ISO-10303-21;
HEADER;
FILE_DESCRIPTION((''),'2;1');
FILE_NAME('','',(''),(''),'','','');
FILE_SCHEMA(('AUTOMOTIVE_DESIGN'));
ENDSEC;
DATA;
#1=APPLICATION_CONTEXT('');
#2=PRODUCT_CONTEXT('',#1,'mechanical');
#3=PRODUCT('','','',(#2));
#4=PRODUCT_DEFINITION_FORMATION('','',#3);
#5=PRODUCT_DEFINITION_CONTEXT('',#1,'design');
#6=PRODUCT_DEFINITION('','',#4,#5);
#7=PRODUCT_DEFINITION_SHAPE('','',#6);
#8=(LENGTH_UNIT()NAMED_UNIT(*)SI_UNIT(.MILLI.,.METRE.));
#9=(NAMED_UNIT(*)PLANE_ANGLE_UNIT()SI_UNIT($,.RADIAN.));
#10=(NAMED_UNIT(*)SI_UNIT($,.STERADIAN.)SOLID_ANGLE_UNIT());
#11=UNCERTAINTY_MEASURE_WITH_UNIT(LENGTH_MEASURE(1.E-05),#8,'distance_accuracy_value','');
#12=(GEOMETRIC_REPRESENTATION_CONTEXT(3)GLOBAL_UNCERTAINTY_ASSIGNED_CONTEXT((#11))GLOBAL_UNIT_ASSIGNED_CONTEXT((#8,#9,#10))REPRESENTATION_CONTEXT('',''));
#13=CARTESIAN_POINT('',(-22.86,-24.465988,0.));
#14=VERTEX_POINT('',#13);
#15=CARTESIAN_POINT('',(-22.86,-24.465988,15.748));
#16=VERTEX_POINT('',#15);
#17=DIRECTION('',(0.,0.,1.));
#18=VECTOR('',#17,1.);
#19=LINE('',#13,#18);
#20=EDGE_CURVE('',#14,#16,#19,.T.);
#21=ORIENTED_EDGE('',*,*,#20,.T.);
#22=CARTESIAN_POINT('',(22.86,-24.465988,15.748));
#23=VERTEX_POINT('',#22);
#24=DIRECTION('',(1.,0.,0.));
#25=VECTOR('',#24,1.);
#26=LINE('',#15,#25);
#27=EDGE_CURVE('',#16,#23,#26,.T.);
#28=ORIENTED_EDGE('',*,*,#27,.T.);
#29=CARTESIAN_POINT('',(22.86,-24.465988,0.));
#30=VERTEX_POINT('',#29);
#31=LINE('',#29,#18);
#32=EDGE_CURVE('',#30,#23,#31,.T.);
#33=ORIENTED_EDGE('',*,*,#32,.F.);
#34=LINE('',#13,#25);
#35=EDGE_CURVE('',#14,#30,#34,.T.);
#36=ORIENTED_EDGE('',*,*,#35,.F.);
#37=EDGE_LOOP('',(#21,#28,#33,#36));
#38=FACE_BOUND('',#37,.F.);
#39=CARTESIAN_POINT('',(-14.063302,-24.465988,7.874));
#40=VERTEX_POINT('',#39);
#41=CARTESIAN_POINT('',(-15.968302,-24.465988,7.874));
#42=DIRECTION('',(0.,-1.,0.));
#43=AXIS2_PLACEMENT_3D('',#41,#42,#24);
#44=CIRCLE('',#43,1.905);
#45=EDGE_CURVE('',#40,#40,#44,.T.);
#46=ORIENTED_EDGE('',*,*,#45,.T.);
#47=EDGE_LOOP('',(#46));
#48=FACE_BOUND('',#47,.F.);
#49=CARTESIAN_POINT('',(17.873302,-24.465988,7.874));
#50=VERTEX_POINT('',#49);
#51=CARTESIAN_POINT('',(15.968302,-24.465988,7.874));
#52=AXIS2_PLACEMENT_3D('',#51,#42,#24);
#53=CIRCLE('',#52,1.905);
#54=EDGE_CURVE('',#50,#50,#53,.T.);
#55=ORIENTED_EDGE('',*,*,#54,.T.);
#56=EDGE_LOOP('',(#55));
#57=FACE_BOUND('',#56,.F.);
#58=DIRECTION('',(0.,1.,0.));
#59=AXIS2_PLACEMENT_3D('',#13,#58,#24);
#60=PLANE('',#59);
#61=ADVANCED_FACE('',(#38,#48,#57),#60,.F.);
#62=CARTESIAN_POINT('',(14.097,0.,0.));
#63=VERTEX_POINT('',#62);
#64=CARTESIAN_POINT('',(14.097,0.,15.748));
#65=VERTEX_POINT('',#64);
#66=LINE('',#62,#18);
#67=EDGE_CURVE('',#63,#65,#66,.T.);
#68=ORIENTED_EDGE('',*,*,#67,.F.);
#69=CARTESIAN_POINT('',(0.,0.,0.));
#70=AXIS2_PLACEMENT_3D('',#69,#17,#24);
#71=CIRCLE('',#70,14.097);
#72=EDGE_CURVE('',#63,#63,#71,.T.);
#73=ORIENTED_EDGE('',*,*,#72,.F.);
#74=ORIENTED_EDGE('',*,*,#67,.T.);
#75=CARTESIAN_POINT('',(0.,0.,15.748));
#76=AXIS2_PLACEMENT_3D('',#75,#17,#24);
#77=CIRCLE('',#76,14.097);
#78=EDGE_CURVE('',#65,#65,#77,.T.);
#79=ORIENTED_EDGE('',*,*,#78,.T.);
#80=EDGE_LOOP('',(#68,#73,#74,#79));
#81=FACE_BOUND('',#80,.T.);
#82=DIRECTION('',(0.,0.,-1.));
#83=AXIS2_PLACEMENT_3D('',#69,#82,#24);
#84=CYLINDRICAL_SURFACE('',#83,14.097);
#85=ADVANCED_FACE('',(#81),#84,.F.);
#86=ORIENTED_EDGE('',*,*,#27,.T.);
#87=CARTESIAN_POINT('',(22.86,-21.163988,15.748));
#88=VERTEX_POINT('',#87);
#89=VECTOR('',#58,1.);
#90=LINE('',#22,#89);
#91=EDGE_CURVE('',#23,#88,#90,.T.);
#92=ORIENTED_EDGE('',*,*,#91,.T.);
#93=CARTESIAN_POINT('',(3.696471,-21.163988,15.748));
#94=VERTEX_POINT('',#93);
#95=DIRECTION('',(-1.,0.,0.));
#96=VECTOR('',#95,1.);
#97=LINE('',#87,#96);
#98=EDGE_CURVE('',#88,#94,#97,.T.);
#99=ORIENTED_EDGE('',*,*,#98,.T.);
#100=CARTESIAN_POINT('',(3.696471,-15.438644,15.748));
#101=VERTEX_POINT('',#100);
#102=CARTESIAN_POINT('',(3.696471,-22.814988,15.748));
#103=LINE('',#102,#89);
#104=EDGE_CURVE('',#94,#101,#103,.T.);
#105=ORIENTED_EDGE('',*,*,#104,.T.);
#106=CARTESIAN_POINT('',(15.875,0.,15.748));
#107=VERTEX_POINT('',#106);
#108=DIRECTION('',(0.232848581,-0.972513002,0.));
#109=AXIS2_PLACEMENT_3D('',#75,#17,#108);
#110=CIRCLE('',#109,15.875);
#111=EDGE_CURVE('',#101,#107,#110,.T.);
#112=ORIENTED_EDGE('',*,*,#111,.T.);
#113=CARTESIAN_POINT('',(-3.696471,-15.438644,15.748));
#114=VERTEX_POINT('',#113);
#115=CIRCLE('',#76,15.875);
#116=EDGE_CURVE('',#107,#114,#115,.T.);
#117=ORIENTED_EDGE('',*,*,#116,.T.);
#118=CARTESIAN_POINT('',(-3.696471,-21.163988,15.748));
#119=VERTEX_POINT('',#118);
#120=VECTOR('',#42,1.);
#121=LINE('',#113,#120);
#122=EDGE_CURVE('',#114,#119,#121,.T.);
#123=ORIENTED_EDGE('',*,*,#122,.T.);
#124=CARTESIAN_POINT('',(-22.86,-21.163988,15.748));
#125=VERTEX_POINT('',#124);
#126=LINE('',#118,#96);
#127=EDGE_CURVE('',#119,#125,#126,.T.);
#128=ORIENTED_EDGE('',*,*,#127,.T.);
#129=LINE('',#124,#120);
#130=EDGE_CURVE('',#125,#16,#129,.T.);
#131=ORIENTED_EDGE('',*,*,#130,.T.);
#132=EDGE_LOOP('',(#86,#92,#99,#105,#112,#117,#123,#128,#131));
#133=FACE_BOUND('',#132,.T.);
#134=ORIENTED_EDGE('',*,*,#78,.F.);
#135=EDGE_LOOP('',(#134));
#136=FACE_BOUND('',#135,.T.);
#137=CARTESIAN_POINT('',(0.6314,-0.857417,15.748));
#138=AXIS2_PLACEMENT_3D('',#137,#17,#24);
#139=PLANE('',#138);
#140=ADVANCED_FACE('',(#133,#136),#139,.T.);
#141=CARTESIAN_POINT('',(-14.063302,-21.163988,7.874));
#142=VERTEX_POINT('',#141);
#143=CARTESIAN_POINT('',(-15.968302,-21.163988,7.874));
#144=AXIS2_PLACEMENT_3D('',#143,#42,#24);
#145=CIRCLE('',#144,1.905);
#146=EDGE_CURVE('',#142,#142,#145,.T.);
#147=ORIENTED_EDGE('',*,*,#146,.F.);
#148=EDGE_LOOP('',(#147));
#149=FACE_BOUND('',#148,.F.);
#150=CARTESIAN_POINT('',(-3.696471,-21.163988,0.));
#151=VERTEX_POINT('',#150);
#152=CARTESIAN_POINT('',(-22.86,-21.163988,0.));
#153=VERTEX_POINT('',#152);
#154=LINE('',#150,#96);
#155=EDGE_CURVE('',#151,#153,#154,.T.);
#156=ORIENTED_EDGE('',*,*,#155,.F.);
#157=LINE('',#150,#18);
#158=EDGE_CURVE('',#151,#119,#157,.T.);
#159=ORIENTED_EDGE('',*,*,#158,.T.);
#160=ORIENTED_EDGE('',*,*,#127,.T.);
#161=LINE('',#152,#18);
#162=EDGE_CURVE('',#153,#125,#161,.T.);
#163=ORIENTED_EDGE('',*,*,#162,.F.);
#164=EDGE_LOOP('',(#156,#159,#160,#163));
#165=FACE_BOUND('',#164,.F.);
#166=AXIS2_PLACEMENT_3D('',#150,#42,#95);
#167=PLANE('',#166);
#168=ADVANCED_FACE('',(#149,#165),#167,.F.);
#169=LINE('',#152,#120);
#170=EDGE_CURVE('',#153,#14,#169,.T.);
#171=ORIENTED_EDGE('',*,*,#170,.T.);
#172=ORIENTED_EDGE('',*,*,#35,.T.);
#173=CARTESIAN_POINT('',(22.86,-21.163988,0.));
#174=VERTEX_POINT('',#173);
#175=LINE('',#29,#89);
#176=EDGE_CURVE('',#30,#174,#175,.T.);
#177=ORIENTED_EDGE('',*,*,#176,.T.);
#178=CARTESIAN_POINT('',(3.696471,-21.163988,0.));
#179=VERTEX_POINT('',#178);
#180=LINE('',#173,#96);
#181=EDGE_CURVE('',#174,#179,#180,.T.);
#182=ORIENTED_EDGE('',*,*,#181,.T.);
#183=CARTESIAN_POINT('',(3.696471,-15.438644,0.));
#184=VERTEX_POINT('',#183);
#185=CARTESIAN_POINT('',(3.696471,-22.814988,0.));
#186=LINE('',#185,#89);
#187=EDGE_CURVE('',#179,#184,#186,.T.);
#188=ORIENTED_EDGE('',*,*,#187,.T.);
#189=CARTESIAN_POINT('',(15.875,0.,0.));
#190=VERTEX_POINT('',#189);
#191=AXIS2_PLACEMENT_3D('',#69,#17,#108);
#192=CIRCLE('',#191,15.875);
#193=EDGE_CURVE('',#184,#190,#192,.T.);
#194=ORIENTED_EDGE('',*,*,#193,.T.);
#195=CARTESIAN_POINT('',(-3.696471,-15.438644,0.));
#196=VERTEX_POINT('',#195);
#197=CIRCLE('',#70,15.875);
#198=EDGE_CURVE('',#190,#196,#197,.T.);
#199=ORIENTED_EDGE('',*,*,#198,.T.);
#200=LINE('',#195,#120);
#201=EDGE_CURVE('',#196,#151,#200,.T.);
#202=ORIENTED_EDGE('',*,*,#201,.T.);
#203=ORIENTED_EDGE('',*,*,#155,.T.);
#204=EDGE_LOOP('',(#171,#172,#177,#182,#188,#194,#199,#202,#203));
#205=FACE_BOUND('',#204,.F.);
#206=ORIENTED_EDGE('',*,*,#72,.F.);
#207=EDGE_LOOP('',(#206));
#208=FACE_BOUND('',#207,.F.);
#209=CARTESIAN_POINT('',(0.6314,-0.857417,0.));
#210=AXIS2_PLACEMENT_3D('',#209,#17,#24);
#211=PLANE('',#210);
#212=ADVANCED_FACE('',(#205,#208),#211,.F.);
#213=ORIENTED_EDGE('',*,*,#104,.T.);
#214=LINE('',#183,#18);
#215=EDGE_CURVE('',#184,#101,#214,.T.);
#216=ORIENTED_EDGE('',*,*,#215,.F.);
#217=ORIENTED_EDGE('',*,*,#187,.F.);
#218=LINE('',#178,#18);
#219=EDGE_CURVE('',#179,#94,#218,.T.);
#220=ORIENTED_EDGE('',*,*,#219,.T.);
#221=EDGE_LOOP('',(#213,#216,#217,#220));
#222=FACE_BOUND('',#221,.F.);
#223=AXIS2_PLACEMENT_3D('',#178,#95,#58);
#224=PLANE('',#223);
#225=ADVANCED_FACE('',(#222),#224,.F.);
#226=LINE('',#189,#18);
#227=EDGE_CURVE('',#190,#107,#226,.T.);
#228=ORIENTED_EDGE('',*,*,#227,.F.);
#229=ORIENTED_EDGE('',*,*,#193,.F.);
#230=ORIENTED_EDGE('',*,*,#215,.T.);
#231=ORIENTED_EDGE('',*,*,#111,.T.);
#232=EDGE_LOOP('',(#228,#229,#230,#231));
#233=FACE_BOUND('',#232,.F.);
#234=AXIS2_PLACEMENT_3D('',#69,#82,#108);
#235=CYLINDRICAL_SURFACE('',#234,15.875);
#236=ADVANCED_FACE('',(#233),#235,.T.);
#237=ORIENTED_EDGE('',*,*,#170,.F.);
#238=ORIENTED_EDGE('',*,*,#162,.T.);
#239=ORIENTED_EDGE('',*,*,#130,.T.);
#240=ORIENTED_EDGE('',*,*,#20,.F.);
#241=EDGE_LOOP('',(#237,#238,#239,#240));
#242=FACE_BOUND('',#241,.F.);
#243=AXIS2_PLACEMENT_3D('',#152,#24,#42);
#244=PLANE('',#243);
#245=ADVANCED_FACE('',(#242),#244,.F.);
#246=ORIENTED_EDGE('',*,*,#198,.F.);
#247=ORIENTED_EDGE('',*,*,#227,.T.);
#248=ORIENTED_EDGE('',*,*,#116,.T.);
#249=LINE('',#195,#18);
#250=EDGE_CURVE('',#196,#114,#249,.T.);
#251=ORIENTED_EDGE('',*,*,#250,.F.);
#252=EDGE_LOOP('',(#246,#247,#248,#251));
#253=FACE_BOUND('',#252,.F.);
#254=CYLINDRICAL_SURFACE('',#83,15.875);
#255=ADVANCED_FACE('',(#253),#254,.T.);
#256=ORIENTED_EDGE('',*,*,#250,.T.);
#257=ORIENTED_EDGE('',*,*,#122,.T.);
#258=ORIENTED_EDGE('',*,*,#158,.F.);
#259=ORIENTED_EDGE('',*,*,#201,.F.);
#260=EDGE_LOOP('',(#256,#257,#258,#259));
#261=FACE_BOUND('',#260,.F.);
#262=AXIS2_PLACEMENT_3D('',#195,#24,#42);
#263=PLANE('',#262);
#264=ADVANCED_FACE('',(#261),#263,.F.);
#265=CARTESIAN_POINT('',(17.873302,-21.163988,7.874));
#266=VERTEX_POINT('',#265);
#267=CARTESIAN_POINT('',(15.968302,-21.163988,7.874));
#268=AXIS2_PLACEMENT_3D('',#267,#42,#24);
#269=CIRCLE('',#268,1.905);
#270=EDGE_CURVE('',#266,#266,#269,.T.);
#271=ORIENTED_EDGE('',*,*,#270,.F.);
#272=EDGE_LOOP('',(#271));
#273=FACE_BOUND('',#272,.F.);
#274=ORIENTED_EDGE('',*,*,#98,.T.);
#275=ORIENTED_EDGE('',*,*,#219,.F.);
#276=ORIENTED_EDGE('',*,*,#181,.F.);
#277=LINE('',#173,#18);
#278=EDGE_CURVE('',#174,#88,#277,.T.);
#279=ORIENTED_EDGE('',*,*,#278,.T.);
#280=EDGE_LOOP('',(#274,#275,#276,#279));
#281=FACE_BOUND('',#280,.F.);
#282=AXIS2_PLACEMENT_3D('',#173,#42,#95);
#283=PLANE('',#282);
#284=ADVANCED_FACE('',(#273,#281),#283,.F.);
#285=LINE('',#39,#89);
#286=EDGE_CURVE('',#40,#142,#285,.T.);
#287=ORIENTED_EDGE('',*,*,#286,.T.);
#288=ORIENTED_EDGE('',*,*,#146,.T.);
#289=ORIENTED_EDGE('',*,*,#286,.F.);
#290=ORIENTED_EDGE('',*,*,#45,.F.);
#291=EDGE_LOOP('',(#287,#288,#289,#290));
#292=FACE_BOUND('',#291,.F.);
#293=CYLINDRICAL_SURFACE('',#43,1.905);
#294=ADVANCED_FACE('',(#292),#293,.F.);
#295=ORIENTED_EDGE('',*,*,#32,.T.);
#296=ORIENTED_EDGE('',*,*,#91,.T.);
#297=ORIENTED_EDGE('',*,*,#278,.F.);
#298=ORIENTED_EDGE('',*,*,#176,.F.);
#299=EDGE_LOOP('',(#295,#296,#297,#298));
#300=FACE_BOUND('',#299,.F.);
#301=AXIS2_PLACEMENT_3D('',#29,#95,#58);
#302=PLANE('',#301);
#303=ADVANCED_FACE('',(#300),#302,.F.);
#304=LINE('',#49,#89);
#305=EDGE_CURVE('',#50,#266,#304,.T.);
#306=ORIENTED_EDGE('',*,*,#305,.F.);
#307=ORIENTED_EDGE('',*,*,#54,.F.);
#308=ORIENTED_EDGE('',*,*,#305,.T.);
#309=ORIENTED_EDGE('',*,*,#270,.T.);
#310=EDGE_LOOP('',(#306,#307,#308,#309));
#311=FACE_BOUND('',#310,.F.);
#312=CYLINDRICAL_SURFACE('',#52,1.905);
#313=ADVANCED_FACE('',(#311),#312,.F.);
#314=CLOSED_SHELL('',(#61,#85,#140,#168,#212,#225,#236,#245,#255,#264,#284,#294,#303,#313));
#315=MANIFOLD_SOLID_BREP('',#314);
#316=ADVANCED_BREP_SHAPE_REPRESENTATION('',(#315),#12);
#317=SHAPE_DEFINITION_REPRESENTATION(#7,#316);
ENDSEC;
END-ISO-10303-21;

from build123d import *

# Parameters (mm, degrees)
F0_R     = 14.097
F0_W     = 7.3929424398
F0_H     = 1.651
F1_DEPTH = 15.748
F2_R     = 1.905
F3_DEPTH = 9.4742


with BuildPart() as f1:
    # F0 (on Top) → F1 (new body)
    with BuildSketch(Plane.XY):
        with BuildLine():
            ThreePointArc((3.6964712199, -15.4386439016), (12.4638899549, -9.8319414254), (15.875, 0))
            ThreePointArc((15.875, 0), (-9.8319414254, 12.4638899549), (-3.6964712199, -15.4386439016))
            Line((-3.6964712199, -15.4386439016), (-3.6964712199, -15.1949884841))
            Line((-3.6964712199, -15.1949884841), (3.6964712199, -15.1949884841))
            Line((3.6964712199, -15.1949884841), (3.6964712199, -15.4386439016))
        make_face()
        Circle(F0_R, mode=Mode.SUBTRACT)
        with BuildLine():
            Line((-3.6964712199, -15.1949884841), (-3.6964712199, -15.4386439016))
            ThreePointArc((-3.6964712199, -15.4386439016), (0, -15.875), (3.6964712199, -15.4386439016))
            Line((3.6964712199, -15.4386439016), (3.6964712199, -15.1949884841))
            Line((3.6964712199, -15.1949884841), (-3.6964712199, -15.1949884841))
        make_face()
        with BuildLine():
            ThreePointArc((3.6964712199, -15.4386439016), (0, -15.875), (-3.6964712199, -15.4386439016))
            Line((-3.6964712199, -15.4386439016), (-3.6964712199, -21.1639884841))
            Line((-3.6964712199, -21.1639884841), (3.6964712199, -21.1639884841))
            Line((3.6964712199, -21.1639884841), (3.6964712199, -15.4386439016))
        make_face()
        with Locations((0, -21.9894884841)):
            Rectangle(F0_W, F0_H)
        Polygon((-3.6964712199, -22.8149884841), (-3.6964712199, -21.1639884841), (-22.86, -21.1639884841), (-22.86, -24.4659884841), (22.86, -24.4659884841), (22.86, -21.1639884841), (3.6964712199, -21.1639884841), (3.6964712199, -22.8149884841), align=None)
    extrude(amount=F1_DEPTH)

    # F2 (on face) → F3 (cut)
    with BuildSketch(Plane.XZ.offset(24.4659884841)):
        with Locations((-15.9683022648, 7.874)):
            Circle(F2_R)
        with Locations((15.9683022648, 7.874)):
            Circle(F2_R)
    extrude(amount=-F3_DEPTH, mode=Mode.SUBTRACT)


solid = f1.part
